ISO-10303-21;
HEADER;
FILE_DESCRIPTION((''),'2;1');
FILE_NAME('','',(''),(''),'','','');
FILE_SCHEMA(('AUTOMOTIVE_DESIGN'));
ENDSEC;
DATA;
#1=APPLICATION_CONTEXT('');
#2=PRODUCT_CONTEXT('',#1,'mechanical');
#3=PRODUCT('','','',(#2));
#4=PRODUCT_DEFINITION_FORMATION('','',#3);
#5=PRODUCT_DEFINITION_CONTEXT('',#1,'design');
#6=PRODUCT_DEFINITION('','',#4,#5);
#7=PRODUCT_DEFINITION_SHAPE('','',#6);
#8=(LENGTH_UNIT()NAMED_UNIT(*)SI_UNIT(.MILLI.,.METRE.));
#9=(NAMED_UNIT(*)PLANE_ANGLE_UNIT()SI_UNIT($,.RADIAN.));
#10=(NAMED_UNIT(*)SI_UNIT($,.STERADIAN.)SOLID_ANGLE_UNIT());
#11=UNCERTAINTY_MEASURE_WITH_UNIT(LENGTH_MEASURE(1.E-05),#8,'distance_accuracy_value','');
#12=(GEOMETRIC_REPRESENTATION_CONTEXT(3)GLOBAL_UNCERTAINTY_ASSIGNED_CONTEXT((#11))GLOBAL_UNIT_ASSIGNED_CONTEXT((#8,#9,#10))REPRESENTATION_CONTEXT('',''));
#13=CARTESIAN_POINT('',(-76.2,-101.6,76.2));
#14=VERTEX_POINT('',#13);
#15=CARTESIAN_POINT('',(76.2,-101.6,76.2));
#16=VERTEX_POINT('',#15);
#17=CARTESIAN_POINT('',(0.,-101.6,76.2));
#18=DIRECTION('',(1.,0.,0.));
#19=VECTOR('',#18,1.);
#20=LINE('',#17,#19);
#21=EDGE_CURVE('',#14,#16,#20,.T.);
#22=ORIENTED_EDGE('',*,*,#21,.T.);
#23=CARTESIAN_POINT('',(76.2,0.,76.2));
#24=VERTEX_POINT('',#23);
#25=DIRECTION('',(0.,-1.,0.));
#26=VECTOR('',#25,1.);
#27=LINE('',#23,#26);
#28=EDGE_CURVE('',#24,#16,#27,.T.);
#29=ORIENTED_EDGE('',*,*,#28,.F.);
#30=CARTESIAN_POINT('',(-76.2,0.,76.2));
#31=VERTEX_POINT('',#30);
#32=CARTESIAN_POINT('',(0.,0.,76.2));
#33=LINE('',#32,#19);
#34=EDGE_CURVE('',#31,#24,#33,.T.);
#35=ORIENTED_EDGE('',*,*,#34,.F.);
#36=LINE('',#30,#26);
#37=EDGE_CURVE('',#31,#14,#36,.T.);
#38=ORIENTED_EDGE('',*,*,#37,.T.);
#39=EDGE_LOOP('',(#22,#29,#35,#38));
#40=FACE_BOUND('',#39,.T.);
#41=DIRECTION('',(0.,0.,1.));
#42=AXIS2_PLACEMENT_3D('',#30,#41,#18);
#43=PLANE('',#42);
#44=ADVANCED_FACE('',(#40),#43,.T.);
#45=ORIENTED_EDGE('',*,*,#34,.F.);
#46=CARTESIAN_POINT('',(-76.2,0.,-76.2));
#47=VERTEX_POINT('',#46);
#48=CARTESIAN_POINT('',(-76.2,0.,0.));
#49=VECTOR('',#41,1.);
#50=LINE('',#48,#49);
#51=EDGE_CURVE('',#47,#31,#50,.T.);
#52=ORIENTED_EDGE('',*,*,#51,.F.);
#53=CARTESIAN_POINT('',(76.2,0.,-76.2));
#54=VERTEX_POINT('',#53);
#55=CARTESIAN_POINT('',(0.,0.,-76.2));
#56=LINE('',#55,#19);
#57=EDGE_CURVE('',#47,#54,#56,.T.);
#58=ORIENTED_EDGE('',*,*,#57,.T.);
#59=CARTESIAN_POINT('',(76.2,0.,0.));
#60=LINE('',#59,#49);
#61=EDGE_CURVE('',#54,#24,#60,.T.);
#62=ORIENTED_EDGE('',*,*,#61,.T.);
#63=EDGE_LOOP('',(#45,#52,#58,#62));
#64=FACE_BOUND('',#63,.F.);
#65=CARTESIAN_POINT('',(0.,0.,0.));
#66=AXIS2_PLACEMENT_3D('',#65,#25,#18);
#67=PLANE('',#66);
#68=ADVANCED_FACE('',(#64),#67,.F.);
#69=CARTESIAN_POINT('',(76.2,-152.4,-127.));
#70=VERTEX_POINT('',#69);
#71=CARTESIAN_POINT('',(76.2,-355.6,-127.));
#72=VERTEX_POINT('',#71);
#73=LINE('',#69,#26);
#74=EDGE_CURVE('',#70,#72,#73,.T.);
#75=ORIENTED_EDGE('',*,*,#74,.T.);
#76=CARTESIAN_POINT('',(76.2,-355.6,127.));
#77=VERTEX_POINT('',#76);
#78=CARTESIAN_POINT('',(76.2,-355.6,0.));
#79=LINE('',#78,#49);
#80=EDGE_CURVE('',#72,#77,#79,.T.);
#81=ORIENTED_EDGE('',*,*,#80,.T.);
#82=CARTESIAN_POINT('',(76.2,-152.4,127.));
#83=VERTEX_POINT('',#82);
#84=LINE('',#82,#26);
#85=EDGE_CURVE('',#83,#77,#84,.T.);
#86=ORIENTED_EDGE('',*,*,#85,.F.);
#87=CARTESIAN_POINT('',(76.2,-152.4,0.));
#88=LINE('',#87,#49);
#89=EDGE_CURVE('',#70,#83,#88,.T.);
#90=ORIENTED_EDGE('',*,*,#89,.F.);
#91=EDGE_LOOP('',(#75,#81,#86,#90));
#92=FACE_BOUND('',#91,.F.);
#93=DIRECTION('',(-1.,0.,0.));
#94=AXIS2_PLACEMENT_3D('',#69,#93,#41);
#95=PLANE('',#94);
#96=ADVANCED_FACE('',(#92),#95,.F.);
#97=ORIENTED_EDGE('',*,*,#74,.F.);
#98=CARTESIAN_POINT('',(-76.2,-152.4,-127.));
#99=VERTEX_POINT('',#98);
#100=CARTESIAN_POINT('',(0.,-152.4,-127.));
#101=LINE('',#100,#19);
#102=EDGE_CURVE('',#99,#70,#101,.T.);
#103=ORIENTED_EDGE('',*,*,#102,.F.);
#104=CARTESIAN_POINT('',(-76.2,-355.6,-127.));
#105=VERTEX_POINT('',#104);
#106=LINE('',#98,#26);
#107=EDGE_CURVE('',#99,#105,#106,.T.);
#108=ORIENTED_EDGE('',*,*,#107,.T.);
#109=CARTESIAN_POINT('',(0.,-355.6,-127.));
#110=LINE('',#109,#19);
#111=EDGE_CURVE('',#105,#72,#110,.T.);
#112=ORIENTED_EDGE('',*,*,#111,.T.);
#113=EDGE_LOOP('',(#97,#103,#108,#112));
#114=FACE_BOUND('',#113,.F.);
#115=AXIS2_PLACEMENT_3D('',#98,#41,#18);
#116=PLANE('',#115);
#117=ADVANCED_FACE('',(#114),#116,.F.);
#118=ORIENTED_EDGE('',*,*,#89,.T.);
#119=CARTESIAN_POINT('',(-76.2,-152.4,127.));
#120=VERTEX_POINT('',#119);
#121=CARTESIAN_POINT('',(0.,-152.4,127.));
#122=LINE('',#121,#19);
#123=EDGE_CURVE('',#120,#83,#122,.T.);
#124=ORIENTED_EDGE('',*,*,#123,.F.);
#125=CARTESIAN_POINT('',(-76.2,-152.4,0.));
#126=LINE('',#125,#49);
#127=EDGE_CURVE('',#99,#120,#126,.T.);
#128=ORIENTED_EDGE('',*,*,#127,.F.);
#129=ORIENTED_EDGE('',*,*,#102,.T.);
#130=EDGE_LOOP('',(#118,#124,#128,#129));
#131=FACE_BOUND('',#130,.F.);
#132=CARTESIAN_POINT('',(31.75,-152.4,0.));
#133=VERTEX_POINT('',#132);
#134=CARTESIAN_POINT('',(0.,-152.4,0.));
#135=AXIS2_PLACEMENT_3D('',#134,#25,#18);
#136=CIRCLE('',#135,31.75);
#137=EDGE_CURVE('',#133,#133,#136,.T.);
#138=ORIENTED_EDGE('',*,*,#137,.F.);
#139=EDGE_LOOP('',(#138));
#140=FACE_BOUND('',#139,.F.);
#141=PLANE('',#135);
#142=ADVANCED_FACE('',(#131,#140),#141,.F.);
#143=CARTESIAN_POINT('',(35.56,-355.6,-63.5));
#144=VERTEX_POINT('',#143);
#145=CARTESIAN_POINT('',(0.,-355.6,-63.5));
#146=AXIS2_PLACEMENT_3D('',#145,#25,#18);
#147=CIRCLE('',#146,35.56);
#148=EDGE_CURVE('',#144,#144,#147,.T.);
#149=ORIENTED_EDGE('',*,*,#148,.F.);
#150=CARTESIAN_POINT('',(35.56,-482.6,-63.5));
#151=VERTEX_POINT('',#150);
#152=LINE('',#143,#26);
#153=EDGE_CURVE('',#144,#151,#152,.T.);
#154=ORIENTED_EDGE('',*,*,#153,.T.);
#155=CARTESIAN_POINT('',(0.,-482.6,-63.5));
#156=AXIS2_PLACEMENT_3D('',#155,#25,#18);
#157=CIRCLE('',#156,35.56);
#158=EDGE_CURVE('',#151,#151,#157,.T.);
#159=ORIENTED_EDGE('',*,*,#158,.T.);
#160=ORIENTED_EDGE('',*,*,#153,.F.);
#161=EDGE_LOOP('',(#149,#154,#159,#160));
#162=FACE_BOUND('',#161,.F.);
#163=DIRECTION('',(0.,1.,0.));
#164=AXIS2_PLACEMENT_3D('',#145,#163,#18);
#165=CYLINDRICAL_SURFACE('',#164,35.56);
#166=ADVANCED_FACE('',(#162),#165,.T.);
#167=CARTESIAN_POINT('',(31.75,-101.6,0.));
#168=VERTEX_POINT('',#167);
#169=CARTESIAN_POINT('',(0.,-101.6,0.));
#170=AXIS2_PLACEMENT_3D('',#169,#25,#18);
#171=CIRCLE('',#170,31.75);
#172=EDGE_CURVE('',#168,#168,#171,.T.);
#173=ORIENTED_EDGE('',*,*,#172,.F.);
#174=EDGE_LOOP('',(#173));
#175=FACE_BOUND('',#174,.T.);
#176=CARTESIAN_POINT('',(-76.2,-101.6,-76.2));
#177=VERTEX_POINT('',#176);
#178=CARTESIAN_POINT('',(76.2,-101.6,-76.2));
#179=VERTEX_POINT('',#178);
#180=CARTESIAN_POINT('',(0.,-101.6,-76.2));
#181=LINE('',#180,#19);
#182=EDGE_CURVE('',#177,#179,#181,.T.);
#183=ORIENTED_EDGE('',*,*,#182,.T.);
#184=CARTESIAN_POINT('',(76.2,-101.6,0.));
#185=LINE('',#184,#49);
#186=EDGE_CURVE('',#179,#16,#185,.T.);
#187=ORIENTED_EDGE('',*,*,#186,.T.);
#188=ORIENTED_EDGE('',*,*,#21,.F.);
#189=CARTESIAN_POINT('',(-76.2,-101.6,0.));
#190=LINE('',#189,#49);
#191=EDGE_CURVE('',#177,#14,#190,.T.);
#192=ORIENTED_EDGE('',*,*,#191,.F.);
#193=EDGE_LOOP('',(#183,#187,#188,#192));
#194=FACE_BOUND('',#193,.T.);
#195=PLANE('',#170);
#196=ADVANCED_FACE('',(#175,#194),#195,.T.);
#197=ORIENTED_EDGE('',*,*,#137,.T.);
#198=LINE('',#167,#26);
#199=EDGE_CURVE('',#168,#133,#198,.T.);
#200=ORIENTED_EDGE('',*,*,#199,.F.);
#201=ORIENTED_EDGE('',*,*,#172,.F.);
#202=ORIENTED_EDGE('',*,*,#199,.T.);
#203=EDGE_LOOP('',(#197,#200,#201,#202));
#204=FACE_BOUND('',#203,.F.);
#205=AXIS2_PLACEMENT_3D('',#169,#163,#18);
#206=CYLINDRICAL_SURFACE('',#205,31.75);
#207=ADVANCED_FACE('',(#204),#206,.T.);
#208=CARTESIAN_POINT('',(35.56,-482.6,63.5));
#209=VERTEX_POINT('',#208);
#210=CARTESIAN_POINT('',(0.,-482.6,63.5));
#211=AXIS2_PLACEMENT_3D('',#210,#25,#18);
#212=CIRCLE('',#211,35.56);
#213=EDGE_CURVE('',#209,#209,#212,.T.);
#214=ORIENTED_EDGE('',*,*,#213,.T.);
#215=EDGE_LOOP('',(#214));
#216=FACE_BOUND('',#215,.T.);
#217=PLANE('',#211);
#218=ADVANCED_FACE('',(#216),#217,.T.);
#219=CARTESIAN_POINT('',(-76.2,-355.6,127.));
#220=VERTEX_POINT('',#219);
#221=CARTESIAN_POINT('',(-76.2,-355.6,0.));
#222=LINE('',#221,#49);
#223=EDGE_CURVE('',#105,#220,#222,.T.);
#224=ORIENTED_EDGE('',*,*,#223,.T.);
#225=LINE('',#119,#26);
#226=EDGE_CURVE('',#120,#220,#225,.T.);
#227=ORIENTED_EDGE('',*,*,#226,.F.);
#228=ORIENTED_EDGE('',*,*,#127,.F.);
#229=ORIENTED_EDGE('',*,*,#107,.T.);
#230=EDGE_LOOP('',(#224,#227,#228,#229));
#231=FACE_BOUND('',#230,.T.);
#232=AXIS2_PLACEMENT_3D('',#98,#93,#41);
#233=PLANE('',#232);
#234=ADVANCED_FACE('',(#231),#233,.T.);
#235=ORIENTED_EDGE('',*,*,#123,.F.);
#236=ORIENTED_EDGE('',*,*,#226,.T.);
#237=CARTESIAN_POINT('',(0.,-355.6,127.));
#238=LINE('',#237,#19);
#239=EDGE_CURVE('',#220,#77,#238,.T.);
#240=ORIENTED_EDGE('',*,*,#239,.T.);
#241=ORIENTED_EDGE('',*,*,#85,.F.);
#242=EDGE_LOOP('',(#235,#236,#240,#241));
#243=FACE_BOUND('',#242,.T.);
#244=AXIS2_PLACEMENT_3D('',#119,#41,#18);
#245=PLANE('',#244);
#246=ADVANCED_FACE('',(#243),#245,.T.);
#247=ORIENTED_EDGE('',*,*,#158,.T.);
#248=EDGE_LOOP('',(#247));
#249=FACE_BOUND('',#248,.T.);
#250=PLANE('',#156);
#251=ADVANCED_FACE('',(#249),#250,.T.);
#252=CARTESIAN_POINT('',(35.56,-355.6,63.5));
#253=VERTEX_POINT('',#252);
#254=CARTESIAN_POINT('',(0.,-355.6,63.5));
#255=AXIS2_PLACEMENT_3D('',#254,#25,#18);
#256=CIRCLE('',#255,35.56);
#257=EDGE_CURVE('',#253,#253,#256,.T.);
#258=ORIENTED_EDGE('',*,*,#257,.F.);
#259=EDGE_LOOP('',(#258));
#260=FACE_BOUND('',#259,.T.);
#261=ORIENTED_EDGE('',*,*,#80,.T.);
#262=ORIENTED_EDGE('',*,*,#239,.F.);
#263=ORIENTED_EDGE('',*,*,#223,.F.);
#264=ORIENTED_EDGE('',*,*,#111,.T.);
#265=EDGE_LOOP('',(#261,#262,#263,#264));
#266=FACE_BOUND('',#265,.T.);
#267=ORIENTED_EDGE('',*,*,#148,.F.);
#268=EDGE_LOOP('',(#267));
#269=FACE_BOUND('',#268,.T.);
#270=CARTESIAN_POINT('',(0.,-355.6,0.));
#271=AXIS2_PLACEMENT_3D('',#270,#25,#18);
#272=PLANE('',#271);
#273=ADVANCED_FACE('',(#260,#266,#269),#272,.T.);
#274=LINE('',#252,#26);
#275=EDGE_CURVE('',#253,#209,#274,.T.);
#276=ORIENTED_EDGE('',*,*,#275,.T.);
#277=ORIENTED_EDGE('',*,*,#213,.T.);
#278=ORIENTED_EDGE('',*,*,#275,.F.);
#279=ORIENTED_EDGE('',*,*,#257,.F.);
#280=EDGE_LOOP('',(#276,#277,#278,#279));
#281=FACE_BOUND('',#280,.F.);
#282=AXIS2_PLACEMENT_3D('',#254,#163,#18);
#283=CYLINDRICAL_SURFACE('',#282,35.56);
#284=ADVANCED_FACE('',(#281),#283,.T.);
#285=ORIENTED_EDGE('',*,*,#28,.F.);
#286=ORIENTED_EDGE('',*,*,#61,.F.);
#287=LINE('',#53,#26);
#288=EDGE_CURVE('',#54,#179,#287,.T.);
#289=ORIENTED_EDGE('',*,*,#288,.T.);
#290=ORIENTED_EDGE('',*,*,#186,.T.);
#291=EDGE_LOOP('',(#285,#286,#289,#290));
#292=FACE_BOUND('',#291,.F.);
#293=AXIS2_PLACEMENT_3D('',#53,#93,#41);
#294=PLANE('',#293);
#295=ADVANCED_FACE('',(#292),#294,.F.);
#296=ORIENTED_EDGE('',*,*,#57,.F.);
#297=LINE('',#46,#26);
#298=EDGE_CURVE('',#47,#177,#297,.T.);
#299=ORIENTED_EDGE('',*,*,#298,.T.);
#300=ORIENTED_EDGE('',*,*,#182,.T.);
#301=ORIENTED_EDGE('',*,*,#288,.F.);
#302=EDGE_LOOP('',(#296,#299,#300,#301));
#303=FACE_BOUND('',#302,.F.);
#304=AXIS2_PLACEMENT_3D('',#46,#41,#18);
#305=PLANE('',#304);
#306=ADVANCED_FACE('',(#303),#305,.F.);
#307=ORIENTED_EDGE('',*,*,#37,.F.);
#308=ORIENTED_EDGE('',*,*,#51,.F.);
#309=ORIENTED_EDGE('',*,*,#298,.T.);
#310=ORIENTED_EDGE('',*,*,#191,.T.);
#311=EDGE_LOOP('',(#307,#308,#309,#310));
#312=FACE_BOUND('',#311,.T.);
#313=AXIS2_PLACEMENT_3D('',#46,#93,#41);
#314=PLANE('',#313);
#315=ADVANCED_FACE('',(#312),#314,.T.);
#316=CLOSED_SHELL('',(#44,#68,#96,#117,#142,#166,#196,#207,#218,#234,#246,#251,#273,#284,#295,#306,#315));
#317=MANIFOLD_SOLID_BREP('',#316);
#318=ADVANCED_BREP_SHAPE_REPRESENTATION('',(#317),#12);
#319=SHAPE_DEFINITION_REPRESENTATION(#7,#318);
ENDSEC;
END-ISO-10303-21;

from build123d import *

# Parameters (mm, degrees)
F0_W     = 152.4
F0_H     = 152.4
F1_DEPTH = 101.6
F2_R     = 31.75
F3_DEPTH = 50.8
F4_W     = 152.4
F4_H     = 254
F5_DEPTH = 203.2
F6_R     = 35.56
F7_DEPTH = 127


with BuildPart() as f1:
    # F0 (on Front) → F1 (new body)
    with BuildSketch(Plane.XZ):
        Rectangle(F0_W, F0_H)
    extrude(amount=F1_DEPTH)

    # F2 (on face) → F3 (join)
    with BuildSketch(Plane.XZ.offset(101.6)):
        Circle(F2_R)
    extrude(amount=F3_DEPTH)

    # F4 (on face) → F5 (join)
    with BuildSketch(Plane.XZ.offset(152.4)):
        Rectangle(F4_W, F4_H)
    extrude(amount=F5_DEPTH)

    # F6 (on face) → F7 (join)
    with BuildSketch(Plane.XZ.offset(355.6)):
        with Locations((0, -63.5)):
            Circle(F6_R)
        with Locations((0, 63.5)):
            Circle(F6_R)
    extrude(amount=F7_DEPTH)


solid = f1.part
